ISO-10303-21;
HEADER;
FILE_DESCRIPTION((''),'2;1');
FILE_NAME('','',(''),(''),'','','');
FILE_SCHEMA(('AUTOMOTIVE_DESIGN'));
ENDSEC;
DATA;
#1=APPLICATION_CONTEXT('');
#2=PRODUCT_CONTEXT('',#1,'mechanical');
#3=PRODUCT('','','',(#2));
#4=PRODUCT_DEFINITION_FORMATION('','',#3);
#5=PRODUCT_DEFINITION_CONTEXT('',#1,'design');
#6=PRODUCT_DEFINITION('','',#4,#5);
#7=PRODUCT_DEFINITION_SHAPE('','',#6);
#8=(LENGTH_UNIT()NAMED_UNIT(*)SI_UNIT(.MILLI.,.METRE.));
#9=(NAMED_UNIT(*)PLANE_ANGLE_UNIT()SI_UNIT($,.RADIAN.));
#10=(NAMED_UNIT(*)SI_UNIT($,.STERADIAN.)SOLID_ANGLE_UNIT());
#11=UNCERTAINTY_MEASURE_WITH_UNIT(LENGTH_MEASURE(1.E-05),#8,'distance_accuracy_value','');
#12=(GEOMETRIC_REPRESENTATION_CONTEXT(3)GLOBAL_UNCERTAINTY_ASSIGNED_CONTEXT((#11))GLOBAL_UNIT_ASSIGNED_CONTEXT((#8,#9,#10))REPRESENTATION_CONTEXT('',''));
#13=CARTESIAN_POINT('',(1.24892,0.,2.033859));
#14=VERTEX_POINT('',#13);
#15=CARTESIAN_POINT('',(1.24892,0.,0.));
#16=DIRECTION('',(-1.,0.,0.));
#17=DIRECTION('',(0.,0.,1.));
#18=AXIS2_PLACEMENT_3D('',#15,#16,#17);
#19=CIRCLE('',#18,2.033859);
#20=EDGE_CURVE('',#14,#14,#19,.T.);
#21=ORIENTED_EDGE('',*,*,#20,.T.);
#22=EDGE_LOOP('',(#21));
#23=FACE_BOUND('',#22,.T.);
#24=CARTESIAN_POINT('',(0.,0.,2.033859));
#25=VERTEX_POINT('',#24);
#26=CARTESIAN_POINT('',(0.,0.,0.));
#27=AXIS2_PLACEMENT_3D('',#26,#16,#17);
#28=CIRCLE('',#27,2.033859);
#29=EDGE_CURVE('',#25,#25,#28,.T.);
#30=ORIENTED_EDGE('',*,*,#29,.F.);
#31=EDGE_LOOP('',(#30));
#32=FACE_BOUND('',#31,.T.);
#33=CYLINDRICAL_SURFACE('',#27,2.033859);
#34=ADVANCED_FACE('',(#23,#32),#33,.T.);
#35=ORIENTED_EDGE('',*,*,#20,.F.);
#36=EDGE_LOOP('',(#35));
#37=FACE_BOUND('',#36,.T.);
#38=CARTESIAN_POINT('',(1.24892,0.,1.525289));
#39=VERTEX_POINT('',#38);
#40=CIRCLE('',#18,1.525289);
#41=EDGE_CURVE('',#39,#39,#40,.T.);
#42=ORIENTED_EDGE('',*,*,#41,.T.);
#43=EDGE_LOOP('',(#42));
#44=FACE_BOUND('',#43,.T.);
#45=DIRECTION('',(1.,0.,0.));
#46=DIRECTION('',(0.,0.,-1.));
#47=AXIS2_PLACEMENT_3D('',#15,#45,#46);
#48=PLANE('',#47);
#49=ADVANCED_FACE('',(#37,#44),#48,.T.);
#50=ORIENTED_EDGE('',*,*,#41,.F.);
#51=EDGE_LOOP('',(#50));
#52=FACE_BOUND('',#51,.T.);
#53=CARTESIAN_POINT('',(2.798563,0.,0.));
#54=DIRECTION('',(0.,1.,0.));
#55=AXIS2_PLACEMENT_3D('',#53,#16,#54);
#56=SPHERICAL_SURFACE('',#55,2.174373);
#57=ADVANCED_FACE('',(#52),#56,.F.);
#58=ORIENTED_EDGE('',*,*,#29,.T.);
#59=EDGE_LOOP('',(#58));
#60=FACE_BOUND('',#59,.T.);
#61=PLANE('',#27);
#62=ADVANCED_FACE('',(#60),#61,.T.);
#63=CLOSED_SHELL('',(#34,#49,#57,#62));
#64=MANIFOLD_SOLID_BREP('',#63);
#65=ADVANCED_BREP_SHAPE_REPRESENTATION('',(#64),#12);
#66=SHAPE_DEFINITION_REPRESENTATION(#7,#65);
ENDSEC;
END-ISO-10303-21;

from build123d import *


with BuildPart() as part:
    # 草图1 → 旋转2 (revolve)
    with BuildSketch(Plane.XY):
        with BuildLine():
            Line((0, 2.033859), (0, 0))
            Line((0, 0), (0.624189816, 0))
            ThreePointArc((0.624189816, 0), (0.786424825, 0.824135127), (1.248920393, 1.525289))
            Line((1.248920393, 1.525289), (1.248920393, 2.033859))
            Line((1.248920393, 2.033859), (0, 2.033859))
        make_face()
    revolve(axis=Axis((0, 0, 0), (1, 0, 0)))


solid = part.part
